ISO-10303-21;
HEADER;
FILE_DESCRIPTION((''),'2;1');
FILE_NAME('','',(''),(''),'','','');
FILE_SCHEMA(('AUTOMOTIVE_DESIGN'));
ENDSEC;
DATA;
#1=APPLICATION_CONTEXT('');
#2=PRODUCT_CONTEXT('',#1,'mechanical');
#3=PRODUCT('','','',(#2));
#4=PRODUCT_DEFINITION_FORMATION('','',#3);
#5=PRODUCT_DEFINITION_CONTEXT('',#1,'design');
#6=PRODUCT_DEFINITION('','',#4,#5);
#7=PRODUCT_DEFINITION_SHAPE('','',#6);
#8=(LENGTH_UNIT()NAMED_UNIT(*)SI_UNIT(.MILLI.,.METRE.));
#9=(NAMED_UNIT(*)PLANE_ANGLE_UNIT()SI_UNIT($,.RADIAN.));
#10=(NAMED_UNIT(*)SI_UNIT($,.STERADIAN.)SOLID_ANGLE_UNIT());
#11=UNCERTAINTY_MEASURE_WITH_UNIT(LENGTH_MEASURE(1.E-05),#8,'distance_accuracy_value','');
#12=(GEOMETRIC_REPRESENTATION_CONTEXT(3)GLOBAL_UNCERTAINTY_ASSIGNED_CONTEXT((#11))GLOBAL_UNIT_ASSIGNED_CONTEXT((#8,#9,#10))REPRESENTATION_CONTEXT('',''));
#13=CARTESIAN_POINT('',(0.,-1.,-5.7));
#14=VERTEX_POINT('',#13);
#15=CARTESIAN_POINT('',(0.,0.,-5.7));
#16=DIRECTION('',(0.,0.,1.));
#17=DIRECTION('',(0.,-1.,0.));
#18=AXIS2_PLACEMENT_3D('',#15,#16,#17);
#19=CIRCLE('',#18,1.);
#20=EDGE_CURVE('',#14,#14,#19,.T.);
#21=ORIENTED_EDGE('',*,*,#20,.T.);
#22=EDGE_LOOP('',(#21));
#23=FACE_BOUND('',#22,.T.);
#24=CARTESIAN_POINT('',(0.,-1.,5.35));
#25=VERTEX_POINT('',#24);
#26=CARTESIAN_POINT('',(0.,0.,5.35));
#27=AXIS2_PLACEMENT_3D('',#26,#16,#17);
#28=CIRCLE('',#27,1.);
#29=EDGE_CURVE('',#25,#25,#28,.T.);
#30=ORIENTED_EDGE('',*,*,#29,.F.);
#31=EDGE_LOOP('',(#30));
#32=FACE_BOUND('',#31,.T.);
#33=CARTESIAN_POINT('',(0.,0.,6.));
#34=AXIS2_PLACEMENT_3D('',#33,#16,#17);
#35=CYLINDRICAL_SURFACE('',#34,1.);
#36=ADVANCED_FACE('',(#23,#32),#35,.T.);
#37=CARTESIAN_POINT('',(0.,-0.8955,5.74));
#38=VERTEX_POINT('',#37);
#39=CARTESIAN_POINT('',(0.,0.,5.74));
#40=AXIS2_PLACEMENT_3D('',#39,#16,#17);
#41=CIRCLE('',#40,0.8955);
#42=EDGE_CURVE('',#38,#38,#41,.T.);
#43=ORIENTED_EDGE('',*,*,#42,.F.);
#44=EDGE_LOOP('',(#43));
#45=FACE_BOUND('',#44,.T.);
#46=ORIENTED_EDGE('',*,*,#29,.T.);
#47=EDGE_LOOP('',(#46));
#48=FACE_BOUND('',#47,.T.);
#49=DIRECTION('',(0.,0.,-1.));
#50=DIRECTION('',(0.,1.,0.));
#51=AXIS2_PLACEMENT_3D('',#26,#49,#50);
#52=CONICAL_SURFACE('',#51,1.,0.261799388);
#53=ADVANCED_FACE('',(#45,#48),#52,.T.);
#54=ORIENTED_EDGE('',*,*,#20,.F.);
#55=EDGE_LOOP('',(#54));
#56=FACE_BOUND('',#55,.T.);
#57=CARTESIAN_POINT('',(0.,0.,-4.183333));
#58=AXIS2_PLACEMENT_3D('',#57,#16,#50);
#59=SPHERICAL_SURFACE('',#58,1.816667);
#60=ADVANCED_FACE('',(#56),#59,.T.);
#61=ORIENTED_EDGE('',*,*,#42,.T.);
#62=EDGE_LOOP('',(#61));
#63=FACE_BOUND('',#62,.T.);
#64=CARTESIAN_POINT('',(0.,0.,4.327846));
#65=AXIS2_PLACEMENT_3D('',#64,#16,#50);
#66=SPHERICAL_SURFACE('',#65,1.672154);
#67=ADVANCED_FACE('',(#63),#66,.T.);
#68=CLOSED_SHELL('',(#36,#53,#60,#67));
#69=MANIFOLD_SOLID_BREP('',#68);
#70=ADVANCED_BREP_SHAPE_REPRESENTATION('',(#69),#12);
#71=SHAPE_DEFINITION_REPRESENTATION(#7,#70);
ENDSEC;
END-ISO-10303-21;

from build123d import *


with BuildPart() as part:
    # Sketch3 → Revolve1 (revolve)
    with BuildSketch(Plane(origin=(0, 0, 0), x_dir=(0, 0, -1), z_dir=(1, 0, 0))):
        with BuildLine():
            Line((-6, 0), (6, 0))
            ThreePointArc((6, 0), (5.923384418, 0.522015325), (5.7, 1))
            Line((5.7, 1), (-5.35, 1))
            Line((-5.35, 1), (-5.74, 0.895499815))
            ThreePointArc((-5.74, 0.895499815), (-5.933685026, 0.46624026), (-6, 0))
        make_face()
    revolve(axis=Axis((0, 0, 6), (0, 0, -1)))


solid = part.part
